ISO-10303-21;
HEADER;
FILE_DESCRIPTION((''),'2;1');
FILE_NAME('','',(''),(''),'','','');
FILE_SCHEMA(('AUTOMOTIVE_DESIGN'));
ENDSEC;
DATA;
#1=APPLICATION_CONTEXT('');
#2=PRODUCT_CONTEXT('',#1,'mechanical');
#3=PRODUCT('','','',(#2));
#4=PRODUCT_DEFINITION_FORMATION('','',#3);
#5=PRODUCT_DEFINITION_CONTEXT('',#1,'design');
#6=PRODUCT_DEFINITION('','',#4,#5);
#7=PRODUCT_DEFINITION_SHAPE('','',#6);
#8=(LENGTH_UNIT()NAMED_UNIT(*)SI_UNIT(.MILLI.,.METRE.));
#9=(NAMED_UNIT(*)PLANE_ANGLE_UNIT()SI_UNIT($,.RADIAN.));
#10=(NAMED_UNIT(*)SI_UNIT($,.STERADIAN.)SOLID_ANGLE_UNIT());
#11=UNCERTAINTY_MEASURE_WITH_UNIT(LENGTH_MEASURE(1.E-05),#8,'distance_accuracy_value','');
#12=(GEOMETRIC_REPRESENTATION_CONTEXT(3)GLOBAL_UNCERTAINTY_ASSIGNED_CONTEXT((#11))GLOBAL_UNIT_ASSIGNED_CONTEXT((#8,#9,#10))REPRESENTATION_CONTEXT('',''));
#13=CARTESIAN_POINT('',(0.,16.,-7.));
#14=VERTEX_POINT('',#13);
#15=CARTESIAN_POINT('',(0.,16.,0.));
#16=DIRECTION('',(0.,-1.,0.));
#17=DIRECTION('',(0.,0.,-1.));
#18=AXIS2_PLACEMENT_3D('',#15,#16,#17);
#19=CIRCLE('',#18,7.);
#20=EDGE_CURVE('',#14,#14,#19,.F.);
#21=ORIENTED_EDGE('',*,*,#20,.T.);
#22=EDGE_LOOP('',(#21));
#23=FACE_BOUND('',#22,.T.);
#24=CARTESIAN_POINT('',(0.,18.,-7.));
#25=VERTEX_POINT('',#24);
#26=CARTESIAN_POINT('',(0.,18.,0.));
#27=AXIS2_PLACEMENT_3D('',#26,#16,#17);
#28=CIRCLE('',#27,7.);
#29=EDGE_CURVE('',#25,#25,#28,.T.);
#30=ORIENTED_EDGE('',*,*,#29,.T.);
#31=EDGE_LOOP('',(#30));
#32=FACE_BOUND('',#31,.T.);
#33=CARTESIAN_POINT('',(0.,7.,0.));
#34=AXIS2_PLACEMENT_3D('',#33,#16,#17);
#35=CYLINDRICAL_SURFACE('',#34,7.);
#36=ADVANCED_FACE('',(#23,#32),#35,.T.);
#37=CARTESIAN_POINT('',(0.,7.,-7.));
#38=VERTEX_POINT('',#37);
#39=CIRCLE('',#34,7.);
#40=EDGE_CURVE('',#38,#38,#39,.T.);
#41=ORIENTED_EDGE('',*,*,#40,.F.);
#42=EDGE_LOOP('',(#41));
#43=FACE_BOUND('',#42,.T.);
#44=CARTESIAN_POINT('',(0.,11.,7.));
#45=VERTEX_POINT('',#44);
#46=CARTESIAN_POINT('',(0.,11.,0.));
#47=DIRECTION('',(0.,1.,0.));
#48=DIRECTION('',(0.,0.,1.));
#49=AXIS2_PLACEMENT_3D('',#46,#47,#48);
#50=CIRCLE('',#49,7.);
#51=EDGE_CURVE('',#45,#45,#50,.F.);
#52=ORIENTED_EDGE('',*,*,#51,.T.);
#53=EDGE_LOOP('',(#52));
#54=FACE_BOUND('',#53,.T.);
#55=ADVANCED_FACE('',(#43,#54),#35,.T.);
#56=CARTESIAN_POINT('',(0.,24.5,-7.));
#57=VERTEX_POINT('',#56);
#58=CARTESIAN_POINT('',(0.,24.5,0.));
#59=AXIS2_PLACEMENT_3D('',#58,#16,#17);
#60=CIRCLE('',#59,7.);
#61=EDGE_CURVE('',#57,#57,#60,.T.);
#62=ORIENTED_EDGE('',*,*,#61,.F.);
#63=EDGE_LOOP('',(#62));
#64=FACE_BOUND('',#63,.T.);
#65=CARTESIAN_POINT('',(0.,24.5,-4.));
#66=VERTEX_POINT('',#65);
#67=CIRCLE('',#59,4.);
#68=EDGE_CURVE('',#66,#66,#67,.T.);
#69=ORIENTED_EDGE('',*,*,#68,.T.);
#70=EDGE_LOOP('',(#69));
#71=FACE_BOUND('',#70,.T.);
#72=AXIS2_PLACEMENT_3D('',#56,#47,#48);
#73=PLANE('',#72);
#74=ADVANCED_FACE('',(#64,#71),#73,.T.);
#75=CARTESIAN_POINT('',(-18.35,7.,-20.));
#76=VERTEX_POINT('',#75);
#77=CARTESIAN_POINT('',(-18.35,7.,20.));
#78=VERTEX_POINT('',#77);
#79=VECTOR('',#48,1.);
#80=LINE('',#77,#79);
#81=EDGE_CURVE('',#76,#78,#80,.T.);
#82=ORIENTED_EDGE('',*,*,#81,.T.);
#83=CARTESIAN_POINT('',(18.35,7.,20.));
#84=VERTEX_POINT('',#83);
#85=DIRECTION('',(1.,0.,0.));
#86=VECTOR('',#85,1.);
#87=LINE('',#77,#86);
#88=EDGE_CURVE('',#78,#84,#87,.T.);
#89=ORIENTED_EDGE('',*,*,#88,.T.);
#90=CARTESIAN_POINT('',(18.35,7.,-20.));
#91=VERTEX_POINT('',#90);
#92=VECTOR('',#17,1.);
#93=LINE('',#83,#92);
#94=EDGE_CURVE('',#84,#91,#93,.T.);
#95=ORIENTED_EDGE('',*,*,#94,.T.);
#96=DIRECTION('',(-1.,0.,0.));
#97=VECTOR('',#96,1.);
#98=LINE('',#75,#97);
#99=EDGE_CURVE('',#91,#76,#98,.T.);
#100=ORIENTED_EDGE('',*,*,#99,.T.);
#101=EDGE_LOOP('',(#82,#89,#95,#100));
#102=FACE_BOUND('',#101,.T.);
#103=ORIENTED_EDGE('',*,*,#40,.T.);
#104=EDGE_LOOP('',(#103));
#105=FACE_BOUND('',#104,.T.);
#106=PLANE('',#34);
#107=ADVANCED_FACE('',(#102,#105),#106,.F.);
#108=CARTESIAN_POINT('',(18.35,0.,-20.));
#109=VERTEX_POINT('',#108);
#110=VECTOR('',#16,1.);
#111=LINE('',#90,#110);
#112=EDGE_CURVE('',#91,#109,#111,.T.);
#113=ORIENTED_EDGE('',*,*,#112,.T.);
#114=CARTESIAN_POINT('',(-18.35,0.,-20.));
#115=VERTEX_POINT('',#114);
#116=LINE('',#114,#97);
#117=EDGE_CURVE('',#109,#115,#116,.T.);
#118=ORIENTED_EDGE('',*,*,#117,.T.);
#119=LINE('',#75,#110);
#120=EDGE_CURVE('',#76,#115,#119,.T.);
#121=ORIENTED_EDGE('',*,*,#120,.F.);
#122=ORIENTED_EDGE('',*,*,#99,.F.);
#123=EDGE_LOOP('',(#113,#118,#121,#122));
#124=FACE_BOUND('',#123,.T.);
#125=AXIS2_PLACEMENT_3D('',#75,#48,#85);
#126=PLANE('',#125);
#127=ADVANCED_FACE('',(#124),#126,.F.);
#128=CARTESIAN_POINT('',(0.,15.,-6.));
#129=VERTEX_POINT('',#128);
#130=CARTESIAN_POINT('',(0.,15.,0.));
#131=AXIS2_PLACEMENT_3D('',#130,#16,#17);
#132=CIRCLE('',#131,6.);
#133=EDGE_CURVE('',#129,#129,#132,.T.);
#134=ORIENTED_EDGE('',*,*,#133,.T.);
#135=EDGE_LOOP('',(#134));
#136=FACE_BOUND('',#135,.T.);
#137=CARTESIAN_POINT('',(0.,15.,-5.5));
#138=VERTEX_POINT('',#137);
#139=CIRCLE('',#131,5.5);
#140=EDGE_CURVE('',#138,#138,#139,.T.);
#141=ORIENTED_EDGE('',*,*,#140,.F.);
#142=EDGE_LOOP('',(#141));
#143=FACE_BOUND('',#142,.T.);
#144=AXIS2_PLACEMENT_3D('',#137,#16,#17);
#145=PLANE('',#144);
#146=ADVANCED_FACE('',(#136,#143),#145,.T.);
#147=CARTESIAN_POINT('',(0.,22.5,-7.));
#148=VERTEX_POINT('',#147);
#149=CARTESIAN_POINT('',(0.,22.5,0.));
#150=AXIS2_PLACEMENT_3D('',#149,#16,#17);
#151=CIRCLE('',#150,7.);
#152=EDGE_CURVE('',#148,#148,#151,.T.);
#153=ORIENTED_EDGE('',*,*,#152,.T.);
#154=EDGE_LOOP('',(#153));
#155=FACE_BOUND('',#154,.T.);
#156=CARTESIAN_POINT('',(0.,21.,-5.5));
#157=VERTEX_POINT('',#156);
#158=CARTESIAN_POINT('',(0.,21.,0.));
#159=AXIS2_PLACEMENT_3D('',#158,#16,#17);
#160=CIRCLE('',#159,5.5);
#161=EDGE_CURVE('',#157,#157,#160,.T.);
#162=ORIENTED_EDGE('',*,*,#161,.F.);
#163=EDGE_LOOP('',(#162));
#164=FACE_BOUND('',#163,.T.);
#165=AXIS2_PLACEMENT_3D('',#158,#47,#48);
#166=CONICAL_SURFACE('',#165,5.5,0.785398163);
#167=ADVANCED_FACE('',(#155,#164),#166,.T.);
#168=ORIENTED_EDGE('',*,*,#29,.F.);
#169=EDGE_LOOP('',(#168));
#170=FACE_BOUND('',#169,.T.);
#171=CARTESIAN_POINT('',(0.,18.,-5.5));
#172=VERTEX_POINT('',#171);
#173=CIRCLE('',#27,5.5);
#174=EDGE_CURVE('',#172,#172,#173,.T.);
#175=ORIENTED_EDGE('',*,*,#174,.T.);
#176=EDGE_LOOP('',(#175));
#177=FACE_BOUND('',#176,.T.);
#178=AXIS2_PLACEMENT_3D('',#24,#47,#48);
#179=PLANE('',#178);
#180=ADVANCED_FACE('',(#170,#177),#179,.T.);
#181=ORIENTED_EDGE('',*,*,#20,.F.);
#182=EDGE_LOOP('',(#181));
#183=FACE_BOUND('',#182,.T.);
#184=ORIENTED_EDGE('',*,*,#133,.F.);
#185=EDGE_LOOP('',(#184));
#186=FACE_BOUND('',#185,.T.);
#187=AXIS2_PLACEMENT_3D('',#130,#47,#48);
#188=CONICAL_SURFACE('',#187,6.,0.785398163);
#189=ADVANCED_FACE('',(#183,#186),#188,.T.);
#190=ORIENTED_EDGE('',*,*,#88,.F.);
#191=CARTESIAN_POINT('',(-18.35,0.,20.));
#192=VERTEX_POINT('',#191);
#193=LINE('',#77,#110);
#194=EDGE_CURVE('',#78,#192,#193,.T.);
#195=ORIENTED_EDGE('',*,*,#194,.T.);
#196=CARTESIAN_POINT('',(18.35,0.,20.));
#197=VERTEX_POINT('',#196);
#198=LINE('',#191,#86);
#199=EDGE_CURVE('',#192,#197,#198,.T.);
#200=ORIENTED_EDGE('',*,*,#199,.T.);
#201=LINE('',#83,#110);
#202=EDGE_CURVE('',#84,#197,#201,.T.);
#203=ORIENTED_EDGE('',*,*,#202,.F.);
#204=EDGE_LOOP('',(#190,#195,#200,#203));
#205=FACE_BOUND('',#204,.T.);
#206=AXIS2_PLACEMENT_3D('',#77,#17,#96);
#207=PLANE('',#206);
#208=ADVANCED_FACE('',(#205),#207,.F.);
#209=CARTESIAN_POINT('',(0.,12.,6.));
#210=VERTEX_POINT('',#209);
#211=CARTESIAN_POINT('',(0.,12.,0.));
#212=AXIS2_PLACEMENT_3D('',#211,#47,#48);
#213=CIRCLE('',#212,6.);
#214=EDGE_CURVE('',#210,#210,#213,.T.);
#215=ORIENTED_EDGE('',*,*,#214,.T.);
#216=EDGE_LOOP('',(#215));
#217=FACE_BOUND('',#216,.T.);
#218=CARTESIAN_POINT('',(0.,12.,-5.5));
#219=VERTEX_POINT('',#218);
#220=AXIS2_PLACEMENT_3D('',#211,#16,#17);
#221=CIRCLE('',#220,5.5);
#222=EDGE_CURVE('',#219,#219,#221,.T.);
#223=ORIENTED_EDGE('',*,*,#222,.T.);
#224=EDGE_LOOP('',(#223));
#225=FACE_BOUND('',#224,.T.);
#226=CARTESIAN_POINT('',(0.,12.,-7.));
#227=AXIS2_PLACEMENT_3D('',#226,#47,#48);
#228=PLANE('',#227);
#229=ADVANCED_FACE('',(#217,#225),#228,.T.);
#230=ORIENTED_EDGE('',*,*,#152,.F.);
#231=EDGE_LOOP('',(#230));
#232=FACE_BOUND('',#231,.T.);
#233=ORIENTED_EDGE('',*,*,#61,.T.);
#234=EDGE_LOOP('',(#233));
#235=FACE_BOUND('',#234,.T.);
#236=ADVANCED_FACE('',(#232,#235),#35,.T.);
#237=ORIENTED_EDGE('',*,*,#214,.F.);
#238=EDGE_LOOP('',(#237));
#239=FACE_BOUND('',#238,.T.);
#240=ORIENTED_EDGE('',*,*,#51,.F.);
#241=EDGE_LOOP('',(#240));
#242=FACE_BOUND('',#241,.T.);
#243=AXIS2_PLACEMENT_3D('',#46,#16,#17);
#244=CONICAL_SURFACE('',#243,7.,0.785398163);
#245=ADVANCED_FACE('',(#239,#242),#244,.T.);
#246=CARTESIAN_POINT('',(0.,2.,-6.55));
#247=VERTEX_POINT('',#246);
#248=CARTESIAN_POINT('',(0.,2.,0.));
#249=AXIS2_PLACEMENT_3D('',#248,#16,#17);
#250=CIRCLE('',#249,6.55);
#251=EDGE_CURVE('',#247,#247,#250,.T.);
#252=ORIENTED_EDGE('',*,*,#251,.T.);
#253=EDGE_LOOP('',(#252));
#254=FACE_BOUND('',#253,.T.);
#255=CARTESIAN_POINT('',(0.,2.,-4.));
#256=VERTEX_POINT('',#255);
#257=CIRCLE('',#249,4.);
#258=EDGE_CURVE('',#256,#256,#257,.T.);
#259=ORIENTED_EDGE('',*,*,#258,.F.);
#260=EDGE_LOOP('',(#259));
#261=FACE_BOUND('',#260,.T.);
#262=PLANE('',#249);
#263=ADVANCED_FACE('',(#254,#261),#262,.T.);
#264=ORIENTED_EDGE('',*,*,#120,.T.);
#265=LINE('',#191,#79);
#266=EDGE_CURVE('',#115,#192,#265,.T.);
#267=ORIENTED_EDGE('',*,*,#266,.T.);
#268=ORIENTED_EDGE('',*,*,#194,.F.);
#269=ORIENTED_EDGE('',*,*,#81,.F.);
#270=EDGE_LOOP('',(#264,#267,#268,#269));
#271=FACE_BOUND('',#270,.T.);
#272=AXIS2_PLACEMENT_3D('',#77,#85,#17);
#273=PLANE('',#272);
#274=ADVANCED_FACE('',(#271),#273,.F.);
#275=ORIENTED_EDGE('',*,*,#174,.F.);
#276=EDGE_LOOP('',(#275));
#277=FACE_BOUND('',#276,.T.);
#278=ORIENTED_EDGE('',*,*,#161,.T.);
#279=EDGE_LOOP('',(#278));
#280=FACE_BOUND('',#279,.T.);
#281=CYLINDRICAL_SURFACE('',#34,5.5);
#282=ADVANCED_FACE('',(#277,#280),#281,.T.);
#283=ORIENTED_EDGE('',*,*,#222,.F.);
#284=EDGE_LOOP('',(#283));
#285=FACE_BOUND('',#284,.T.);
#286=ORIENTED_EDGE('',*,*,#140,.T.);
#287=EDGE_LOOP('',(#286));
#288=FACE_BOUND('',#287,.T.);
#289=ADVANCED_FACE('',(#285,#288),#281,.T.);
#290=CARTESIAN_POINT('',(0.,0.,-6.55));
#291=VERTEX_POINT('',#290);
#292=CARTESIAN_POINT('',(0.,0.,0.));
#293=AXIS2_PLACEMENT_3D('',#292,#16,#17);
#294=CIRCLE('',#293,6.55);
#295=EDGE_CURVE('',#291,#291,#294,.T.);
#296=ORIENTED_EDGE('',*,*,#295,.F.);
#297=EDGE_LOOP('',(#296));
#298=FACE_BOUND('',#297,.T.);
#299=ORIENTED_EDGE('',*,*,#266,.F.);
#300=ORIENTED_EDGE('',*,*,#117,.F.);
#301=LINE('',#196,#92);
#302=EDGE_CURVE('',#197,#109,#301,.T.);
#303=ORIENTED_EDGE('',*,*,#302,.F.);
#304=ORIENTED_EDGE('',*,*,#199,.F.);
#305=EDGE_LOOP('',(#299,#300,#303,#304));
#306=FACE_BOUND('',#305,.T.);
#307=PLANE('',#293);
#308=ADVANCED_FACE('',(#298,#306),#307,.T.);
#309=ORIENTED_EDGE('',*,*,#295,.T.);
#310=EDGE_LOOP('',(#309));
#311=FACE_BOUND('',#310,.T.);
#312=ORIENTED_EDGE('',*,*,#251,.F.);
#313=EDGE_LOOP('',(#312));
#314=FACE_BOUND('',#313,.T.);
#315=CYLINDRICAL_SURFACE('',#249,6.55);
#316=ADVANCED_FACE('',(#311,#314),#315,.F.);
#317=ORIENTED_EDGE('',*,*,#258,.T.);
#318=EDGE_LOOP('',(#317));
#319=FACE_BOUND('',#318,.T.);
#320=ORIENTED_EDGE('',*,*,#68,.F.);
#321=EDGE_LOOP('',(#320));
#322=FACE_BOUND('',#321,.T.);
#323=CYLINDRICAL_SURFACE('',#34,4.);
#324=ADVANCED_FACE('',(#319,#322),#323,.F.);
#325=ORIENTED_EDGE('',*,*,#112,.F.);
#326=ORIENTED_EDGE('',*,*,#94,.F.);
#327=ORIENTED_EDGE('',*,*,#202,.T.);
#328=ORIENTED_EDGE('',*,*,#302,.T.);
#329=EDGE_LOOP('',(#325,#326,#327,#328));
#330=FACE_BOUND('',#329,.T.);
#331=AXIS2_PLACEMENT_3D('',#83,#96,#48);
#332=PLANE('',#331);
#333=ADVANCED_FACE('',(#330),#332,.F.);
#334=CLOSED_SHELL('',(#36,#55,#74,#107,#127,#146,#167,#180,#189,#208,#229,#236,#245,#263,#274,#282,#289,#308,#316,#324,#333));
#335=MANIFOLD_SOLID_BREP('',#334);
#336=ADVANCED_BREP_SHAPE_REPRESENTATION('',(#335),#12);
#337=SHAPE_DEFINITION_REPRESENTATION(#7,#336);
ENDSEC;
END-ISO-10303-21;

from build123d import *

# Parameters (mm, degrees)
CROQUIS1_W              = 36.7
CROQUIS1_H              = 40
CROQUIS1_R              = 4
SALIENTE_EXTRUIR1_DEPTH = 7
CHAFL_N1_SIZE           = 1
CROQUIS3_R              = 6.55
CORTAR_EXTRUIR1_DEPTH   = 2


with BuildPart() as part:
    # Croquis1 → Saliente-Extruir1 (new body)
    with BuildSketch(Plane(origin=(0, 0, 0), x_dir=(1, 0, 0), z_dir=(0, 1, 0))):
        Rectangle(CROQUIS1_W, CROQUIS1_H)
        with Locations(Location((0, 0, 0), (0, 0, 270))):
            Circle(CROQUIS1_R, mode=Mode.SUBTRACT)
    extrude(amount=SALIENTE_EXTRUIR1_DEPTH)

    # Croquis2 → Revolución1 (revolve)
    with BuildSketch(Plane(origin=(0, 0, 0), x_dir=(0, 0, -1), z_dir=(1, 0, 0))):
        Polygon((7, 7), (7, 12), (5.5, 12), (5.5, 15), (7, 15), (7, 18), (5.5, 18), (5.5, 21), (7, 22.5), (7, 24.5), (4, 24.5), (4, 7), align=None)
    revolve(axis=Axis((0, 7, 0), (0, 1, 0)))

    # Chaflán1
    chafl_n1_edges = [part.edges().sort_by_distance(p)[0] for p in [
        (0, 12, 7),
        (0, 15, 7),
    ]]
    chamfer(chafl_n1_edges, length=CHAFL_N1_SIZE)

    # Croquis3 → Cortar-Extruir1 (cut)
    with BuildSketch(Plane.XZ):
        with Locations(Location((0, 0, 0), (0, 0, 270))):
            Circle(CROQUIS3_R)
    extrude(amount=-CORTAR_EXTRUIR1_DEPTH, mode=Mode.SUBTRACT)


solid = part.part
